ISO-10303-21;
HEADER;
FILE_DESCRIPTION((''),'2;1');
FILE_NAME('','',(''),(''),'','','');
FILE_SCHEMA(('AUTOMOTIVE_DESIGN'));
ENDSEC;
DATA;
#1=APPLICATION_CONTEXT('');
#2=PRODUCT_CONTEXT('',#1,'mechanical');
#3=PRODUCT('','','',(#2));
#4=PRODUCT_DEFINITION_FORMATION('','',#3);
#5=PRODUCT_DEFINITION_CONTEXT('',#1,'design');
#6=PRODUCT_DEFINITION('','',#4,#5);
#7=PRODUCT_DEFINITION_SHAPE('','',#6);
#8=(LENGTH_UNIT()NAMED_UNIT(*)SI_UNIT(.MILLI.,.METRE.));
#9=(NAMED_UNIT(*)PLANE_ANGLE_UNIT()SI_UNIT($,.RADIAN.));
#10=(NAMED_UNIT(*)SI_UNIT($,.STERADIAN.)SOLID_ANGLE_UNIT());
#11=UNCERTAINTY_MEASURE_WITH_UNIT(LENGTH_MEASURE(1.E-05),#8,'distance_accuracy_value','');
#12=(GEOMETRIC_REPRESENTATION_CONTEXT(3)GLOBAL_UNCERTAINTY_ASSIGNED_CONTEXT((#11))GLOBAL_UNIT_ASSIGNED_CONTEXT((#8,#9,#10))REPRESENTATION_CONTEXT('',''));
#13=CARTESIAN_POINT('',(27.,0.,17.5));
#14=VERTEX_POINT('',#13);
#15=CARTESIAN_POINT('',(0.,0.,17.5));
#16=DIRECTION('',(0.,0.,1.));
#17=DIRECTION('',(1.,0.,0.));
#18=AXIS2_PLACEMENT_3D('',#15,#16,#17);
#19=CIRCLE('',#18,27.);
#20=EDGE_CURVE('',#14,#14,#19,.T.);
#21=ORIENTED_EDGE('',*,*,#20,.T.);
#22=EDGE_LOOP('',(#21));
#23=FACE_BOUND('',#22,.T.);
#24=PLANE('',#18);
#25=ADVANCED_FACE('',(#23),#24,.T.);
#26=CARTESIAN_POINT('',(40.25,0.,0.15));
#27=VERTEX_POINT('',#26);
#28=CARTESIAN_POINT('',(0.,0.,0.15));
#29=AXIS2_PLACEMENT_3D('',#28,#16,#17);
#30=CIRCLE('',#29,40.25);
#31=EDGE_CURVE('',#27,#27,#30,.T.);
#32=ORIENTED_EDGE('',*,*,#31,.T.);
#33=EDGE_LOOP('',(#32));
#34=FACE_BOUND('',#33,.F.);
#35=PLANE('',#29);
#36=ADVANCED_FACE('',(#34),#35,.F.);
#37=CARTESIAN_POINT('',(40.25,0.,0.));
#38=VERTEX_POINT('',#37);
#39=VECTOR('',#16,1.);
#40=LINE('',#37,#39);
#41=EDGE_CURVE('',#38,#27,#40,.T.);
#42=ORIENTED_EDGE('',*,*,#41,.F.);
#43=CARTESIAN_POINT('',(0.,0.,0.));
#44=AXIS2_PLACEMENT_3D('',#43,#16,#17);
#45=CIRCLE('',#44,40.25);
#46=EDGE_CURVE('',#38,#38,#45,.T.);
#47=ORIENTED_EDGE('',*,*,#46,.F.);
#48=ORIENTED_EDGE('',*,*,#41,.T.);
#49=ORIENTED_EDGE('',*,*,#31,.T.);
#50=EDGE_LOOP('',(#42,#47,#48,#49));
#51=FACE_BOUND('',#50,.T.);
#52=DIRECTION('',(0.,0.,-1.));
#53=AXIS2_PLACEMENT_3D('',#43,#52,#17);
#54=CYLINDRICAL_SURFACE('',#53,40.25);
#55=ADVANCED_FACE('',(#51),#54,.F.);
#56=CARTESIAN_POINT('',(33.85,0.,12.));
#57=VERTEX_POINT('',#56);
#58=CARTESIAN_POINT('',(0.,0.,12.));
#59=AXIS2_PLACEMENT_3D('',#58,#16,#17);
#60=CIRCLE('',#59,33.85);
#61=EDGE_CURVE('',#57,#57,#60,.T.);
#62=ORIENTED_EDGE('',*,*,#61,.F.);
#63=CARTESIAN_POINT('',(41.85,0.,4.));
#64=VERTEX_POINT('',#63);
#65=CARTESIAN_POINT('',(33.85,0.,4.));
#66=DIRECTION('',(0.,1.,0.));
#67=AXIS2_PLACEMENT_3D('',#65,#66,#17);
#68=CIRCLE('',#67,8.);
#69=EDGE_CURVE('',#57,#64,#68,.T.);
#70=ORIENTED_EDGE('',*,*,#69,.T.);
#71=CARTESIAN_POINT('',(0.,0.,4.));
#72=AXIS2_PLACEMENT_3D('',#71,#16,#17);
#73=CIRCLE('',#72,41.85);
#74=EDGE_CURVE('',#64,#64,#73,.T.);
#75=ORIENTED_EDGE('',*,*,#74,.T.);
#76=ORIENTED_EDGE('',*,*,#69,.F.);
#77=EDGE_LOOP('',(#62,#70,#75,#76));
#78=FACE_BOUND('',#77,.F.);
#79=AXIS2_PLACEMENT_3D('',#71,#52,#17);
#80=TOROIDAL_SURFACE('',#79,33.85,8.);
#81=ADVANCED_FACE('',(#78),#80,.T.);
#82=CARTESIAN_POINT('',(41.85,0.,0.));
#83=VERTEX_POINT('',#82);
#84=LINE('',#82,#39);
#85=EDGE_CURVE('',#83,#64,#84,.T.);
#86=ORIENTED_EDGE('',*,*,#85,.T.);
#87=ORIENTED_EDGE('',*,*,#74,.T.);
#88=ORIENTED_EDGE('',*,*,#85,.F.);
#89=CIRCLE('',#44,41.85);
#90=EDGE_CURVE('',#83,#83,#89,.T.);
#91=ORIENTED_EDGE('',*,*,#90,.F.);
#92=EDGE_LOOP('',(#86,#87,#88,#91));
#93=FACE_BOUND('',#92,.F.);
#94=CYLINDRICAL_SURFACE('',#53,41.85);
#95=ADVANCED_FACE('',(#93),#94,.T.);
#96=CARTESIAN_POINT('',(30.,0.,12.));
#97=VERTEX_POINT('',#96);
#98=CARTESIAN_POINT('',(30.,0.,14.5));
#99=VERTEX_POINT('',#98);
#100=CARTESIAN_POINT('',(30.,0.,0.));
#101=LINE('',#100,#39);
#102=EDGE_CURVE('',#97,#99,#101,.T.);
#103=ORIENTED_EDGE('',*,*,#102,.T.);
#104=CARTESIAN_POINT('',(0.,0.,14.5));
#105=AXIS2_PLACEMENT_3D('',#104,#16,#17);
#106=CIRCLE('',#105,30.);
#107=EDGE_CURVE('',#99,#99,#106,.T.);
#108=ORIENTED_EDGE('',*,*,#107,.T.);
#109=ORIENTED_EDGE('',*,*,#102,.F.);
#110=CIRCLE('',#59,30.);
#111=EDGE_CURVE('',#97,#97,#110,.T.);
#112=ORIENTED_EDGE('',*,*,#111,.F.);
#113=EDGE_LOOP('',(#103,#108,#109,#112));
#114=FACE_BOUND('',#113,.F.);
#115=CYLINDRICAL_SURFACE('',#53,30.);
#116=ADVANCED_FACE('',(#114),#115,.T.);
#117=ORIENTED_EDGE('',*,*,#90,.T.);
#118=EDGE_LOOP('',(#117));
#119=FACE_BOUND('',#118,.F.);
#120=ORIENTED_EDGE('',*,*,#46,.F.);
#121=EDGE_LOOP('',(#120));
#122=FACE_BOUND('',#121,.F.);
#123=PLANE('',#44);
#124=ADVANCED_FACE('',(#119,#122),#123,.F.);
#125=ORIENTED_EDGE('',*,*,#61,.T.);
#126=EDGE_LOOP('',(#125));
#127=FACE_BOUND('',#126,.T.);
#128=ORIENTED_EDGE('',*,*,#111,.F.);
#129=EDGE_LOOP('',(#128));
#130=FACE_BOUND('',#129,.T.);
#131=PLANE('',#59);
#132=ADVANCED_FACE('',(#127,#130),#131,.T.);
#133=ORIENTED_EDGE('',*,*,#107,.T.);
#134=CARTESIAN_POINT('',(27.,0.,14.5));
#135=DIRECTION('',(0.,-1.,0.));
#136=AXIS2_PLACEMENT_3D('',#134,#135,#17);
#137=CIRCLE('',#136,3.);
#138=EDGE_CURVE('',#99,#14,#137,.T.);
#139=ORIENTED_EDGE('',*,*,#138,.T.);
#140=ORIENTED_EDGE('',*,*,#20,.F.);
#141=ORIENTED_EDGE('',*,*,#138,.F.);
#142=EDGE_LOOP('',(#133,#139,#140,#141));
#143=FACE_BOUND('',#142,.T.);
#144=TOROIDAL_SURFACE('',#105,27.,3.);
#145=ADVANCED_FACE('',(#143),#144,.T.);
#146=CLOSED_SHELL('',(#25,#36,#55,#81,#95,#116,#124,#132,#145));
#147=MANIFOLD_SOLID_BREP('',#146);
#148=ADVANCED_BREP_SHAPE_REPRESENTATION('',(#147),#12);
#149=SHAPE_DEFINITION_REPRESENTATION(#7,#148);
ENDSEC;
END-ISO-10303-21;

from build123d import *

# Parameters (mm, degrees)
F0_R     = 30
F1_DEPTH = 17.5
F0_R_2   = 41.85
F0_R_3   = 40.25
F2_DEPTH = 12
F3_DEPTH = 0.15
F4_R     = 3
F5_R     = 8


with BuildPart() as f1:
    # F0 (on Top) → F1 (new body)
    with BuildSketch(Plane.XY):
        Circle(F0_R)
    extrude(amount=F1_DEPTH)

    # F0 (on Top) → F2 (join)
    with BuildSketch(Plane.XY):
        Circle(F0_R_2)
        Circle(F0_R_3, mode=Mode.SUBTRACT)
        Circle(F0_R_3)
        Circle(F0_R, mode=Mode.SUBTRACT)
    extrude(amount=F2_DEPTH)

    # F0 (on Top) → F3 (cut)
    with BuildSketch(Plane.XY):
        Circle(F0_R_3)
        Circle(F0_R, mode=Mode.SUBTRACT)
        Circle(F0_R)
    extrude(amount=F3_DEPTH, mode=Mode.SUBTRACT)

    # F4
    f4_edges = [f1.edges().sort_by_distance(p)[0] for p in [
        (-30, 0, 17.5),
    ]]
    fillet(f4_edges, radius=F4_R)

    # F5
    f5_edges = [f1.edges().sort_by_distance(p)[0] for p in [
        (-41.85, 0, 12),
    ]]
    fillet(f5_edges, radius=F5_R)


solid = f1.part
